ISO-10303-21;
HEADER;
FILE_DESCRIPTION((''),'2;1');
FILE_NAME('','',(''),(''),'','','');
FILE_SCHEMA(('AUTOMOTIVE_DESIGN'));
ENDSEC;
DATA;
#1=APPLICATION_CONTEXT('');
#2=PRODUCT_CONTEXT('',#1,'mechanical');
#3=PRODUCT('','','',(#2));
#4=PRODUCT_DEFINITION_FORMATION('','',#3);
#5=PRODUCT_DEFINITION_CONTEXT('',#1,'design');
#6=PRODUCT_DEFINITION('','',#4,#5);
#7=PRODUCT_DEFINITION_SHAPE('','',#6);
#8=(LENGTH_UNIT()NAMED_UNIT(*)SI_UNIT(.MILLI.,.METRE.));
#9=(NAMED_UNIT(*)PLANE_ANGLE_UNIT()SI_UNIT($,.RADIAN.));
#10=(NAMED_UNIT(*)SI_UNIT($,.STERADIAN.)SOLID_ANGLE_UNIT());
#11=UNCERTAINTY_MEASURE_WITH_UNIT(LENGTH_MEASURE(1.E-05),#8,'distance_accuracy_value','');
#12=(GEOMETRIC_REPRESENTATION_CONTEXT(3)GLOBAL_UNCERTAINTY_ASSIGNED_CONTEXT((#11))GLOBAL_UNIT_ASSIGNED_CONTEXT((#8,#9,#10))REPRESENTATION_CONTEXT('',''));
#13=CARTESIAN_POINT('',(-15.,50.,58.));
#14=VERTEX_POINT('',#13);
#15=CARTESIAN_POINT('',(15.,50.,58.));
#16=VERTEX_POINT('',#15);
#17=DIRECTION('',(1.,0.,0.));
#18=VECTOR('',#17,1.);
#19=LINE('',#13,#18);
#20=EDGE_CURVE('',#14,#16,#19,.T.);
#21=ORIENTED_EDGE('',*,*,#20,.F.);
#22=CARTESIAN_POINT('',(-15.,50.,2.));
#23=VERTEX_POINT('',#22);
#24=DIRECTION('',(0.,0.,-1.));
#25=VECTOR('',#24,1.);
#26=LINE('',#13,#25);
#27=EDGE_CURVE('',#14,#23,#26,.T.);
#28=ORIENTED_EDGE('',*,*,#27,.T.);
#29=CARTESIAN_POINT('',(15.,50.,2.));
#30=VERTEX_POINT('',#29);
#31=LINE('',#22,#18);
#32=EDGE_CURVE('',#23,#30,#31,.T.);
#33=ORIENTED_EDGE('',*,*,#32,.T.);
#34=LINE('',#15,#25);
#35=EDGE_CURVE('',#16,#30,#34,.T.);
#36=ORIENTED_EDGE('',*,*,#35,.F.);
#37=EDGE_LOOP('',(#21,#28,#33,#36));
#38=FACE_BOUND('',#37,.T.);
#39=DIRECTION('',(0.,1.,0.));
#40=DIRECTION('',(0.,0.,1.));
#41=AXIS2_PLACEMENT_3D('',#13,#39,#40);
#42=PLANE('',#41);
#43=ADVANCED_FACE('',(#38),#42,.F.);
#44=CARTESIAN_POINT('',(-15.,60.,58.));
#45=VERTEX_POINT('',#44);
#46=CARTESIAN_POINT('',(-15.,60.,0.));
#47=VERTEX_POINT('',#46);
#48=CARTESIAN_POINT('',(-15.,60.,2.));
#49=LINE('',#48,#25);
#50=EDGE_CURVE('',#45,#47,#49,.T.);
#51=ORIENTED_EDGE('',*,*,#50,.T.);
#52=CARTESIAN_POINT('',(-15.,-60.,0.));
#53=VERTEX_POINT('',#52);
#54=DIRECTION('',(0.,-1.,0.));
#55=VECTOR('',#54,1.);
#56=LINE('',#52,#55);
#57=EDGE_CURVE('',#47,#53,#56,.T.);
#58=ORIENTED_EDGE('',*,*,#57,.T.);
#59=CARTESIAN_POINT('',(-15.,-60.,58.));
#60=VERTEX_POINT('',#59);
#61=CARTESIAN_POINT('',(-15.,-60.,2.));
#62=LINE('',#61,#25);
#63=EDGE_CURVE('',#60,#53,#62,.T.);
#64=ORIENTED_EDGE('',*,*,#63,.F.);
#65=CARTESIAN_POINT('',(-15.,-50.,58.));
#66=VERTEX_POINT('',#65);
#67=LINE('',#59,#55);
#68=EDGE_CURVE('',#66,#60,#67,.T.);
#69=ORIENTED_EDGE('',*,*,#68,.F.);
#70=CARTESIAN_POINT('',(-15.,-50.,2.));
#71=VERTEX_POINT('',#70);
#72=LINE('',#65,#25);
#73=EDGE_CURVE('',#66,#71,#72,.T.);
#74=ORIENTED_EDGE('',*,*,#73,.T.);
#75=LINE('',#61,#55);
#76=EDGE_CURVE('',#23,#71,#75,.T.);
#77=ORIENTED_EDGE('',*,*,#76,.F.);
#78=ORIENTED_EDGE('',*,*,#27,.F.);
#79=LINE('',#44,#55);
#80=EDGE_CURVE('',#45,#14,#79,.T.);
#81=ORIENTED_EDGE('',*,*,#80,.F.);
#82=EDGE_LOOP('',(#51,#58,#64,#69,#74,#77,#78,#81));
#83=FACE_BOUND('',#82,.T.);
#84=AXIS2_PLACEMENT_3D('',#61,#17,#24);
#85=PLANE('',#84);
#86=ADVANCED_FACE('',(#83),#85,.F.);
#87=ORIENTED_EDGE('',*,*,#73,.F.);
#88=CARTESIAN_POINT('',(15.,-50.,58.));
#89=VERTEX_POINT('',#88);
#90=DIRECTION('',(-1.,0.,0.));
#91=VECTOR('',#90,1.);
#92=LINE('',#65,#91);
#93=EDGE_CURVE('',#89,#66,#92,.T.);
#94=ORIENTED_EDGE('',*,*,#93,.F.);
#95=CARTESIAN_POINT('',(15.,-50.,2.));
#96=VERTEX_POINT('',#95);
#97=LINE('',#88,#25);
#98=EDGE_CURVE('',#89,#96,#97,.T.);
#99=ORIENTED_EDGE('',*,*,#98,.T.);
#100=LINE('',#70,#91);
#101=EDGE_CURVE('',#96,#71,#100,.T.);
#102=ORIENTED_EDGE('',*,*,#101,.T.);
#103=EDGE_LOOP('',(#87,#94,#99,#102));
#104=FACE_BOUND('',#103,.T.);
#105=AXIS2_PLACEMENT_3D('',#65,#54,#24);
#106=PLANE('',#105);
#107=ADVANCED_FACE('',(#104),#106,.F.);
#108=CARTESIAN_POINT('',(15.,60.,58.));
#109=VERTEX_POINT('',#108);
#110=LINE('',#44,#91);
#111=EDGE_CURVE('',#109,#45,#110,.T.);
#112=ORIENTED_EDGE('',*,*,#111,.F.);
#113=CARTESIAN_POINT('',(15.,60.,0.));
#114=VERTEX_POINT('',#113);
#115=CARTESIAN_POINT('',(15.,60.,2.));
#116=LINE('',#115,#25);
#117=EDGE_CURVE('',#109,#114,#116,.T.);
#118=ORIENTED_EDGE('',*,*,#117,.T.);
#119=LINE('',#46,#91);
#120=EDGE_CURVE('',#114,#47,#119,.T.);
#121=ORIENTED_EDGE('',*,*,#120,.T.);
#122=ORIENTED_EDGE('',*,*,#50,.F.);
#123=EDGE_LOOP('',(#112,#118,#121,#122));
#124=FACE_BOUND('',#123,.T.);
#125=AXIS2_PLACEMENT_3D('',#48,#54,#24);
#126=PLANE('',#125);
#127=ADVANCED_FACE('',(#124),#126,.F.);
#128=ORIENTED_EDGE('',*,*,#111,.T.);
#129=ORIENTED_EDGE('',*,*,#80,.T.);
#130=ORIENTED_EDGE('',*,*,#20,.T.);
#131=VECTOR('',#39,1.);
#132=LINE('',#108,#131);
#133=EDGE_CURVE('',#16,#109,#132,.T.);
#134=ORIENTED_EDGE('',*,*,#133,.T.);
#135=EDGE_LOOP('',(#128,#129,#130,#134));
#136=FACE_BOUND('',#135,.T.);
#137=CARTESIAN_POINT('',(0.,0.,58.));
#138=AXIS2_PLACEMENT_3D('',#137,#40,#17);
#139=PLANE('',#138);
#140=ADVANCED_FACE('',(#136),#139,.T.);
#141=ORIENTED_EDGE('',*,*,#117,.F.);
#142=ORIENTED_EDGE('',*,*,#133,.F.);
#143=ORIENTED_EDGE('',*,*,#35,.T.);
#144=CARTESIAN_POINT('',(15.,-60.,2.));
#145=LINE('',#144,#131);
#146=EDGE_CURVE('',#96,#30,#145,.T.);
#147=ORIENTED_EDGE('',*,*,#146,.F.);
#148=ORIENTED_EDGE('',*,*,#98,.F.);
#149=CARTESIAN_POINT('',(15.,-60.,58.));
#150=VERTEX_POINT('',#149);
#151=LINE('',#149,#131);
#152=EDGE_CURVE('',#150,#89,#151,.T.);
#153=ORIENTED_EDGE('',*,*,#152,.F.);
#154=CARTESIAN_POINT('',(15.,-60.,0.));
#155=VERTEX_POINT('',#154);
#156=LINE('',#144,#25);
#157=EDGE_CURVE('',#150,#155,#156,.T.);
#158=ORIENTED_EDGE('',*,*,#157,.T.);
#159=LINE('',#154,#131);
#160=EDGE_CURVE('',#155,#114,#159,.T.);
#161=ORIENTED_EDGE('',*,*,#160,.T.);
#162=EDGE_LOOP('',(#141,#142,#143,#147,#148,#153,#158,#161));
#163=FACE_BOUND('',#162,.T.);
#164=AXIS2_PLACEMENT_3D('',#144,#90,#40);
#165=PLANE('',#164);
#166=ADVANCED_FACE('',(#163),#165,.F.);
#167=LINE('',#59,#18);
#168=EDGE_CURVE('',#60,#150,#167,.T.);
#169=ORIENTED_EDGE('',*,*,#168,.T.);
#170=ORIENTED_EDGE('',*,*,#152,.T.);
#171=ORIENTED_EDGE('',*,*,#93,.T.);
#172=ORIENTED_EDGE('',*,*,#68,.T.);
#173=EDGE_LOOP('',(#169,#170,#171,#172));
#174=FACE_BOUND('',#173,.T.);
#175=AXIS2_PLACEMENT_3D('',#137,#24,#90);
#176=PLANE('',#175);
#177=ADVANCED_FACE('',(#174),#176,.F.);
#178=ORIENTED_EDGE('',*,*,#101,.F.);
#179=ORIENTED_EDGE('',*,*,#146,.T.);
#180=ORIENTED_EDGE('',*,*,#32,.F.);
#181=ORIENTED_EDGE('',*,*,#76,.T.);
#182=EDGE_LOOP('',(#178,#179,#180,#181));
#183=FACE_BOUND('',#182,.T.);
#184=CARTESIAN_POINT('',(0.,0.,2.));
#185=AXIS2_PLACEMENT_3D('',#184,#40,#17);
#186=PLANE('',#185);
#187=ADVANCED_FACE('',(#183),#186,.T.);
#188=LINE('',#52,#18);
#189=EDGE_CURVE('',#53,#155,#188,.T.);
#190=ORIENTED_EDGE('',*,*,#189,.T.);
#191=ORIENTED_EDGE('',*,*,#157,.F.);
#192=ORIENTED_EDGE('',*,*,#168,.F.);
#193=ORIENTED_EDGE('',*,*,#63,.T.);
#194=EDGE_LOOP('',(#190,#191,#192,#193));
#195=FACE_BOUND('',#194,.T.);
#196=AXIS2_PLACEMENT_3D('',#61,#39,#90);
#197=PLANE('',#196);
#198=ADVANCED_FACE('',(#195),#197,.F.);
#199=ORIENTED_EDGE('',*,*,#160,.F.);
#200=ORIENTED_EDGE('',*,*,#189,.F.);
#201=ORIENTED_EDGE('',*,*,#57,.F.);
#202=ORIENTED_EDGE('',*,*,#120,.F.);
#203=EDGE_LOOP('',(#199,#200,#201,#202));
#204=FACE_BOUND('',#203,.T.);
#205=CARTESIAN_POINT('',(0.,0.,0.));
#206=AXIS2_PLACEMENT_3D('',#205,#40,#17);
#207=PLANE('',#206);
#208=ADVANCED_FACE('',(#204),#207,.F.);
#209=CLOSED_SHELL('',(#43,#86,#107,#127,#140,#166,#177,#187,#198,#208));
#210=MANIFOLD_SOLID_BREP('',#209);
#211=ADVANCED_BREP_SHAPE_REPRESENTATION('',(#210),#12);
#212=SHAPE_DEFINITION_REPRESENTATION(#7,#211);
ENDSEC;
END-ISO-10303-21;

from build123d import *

# Parameters (mm, degrees)
SKETCH2_W           = 120
SKETCH2_H           = 30
BOSS_EXTRUDE1_DEPTH = 2
SKETCH3_W           = 30
SKETCH3_H           = 10
BOSS_EXTRUDE2_DEPTH = 56


with BuildPart() as part:
    # Sketch2 → Boss-Extrude1 (new body)
    with BuildSketch(Plane(origin=(0, 0, 0), x_dir=(0, 1, 0), z_dir=(0, 0, 1))):
        Rectangle(SKETCH2_W, SKETCH2_H)
    extrude(amount=BOSS_EXTRUDE1_DEPTH)

    # Sketch3 → Boss-Extrude2 (add)
    with BuildSketch(Plane.XY.offset(2)):
        with Locations((0, 55)):
            Rectangle(SKETCH3_W, SKETCH3_H)
        with Locations((0, -55)):
            Rectangle(SKETCH3_W, SKETCH3_H)
    extrude(amount=BOSS_EXTRUDE2_DEPTH)


solid = part.part
